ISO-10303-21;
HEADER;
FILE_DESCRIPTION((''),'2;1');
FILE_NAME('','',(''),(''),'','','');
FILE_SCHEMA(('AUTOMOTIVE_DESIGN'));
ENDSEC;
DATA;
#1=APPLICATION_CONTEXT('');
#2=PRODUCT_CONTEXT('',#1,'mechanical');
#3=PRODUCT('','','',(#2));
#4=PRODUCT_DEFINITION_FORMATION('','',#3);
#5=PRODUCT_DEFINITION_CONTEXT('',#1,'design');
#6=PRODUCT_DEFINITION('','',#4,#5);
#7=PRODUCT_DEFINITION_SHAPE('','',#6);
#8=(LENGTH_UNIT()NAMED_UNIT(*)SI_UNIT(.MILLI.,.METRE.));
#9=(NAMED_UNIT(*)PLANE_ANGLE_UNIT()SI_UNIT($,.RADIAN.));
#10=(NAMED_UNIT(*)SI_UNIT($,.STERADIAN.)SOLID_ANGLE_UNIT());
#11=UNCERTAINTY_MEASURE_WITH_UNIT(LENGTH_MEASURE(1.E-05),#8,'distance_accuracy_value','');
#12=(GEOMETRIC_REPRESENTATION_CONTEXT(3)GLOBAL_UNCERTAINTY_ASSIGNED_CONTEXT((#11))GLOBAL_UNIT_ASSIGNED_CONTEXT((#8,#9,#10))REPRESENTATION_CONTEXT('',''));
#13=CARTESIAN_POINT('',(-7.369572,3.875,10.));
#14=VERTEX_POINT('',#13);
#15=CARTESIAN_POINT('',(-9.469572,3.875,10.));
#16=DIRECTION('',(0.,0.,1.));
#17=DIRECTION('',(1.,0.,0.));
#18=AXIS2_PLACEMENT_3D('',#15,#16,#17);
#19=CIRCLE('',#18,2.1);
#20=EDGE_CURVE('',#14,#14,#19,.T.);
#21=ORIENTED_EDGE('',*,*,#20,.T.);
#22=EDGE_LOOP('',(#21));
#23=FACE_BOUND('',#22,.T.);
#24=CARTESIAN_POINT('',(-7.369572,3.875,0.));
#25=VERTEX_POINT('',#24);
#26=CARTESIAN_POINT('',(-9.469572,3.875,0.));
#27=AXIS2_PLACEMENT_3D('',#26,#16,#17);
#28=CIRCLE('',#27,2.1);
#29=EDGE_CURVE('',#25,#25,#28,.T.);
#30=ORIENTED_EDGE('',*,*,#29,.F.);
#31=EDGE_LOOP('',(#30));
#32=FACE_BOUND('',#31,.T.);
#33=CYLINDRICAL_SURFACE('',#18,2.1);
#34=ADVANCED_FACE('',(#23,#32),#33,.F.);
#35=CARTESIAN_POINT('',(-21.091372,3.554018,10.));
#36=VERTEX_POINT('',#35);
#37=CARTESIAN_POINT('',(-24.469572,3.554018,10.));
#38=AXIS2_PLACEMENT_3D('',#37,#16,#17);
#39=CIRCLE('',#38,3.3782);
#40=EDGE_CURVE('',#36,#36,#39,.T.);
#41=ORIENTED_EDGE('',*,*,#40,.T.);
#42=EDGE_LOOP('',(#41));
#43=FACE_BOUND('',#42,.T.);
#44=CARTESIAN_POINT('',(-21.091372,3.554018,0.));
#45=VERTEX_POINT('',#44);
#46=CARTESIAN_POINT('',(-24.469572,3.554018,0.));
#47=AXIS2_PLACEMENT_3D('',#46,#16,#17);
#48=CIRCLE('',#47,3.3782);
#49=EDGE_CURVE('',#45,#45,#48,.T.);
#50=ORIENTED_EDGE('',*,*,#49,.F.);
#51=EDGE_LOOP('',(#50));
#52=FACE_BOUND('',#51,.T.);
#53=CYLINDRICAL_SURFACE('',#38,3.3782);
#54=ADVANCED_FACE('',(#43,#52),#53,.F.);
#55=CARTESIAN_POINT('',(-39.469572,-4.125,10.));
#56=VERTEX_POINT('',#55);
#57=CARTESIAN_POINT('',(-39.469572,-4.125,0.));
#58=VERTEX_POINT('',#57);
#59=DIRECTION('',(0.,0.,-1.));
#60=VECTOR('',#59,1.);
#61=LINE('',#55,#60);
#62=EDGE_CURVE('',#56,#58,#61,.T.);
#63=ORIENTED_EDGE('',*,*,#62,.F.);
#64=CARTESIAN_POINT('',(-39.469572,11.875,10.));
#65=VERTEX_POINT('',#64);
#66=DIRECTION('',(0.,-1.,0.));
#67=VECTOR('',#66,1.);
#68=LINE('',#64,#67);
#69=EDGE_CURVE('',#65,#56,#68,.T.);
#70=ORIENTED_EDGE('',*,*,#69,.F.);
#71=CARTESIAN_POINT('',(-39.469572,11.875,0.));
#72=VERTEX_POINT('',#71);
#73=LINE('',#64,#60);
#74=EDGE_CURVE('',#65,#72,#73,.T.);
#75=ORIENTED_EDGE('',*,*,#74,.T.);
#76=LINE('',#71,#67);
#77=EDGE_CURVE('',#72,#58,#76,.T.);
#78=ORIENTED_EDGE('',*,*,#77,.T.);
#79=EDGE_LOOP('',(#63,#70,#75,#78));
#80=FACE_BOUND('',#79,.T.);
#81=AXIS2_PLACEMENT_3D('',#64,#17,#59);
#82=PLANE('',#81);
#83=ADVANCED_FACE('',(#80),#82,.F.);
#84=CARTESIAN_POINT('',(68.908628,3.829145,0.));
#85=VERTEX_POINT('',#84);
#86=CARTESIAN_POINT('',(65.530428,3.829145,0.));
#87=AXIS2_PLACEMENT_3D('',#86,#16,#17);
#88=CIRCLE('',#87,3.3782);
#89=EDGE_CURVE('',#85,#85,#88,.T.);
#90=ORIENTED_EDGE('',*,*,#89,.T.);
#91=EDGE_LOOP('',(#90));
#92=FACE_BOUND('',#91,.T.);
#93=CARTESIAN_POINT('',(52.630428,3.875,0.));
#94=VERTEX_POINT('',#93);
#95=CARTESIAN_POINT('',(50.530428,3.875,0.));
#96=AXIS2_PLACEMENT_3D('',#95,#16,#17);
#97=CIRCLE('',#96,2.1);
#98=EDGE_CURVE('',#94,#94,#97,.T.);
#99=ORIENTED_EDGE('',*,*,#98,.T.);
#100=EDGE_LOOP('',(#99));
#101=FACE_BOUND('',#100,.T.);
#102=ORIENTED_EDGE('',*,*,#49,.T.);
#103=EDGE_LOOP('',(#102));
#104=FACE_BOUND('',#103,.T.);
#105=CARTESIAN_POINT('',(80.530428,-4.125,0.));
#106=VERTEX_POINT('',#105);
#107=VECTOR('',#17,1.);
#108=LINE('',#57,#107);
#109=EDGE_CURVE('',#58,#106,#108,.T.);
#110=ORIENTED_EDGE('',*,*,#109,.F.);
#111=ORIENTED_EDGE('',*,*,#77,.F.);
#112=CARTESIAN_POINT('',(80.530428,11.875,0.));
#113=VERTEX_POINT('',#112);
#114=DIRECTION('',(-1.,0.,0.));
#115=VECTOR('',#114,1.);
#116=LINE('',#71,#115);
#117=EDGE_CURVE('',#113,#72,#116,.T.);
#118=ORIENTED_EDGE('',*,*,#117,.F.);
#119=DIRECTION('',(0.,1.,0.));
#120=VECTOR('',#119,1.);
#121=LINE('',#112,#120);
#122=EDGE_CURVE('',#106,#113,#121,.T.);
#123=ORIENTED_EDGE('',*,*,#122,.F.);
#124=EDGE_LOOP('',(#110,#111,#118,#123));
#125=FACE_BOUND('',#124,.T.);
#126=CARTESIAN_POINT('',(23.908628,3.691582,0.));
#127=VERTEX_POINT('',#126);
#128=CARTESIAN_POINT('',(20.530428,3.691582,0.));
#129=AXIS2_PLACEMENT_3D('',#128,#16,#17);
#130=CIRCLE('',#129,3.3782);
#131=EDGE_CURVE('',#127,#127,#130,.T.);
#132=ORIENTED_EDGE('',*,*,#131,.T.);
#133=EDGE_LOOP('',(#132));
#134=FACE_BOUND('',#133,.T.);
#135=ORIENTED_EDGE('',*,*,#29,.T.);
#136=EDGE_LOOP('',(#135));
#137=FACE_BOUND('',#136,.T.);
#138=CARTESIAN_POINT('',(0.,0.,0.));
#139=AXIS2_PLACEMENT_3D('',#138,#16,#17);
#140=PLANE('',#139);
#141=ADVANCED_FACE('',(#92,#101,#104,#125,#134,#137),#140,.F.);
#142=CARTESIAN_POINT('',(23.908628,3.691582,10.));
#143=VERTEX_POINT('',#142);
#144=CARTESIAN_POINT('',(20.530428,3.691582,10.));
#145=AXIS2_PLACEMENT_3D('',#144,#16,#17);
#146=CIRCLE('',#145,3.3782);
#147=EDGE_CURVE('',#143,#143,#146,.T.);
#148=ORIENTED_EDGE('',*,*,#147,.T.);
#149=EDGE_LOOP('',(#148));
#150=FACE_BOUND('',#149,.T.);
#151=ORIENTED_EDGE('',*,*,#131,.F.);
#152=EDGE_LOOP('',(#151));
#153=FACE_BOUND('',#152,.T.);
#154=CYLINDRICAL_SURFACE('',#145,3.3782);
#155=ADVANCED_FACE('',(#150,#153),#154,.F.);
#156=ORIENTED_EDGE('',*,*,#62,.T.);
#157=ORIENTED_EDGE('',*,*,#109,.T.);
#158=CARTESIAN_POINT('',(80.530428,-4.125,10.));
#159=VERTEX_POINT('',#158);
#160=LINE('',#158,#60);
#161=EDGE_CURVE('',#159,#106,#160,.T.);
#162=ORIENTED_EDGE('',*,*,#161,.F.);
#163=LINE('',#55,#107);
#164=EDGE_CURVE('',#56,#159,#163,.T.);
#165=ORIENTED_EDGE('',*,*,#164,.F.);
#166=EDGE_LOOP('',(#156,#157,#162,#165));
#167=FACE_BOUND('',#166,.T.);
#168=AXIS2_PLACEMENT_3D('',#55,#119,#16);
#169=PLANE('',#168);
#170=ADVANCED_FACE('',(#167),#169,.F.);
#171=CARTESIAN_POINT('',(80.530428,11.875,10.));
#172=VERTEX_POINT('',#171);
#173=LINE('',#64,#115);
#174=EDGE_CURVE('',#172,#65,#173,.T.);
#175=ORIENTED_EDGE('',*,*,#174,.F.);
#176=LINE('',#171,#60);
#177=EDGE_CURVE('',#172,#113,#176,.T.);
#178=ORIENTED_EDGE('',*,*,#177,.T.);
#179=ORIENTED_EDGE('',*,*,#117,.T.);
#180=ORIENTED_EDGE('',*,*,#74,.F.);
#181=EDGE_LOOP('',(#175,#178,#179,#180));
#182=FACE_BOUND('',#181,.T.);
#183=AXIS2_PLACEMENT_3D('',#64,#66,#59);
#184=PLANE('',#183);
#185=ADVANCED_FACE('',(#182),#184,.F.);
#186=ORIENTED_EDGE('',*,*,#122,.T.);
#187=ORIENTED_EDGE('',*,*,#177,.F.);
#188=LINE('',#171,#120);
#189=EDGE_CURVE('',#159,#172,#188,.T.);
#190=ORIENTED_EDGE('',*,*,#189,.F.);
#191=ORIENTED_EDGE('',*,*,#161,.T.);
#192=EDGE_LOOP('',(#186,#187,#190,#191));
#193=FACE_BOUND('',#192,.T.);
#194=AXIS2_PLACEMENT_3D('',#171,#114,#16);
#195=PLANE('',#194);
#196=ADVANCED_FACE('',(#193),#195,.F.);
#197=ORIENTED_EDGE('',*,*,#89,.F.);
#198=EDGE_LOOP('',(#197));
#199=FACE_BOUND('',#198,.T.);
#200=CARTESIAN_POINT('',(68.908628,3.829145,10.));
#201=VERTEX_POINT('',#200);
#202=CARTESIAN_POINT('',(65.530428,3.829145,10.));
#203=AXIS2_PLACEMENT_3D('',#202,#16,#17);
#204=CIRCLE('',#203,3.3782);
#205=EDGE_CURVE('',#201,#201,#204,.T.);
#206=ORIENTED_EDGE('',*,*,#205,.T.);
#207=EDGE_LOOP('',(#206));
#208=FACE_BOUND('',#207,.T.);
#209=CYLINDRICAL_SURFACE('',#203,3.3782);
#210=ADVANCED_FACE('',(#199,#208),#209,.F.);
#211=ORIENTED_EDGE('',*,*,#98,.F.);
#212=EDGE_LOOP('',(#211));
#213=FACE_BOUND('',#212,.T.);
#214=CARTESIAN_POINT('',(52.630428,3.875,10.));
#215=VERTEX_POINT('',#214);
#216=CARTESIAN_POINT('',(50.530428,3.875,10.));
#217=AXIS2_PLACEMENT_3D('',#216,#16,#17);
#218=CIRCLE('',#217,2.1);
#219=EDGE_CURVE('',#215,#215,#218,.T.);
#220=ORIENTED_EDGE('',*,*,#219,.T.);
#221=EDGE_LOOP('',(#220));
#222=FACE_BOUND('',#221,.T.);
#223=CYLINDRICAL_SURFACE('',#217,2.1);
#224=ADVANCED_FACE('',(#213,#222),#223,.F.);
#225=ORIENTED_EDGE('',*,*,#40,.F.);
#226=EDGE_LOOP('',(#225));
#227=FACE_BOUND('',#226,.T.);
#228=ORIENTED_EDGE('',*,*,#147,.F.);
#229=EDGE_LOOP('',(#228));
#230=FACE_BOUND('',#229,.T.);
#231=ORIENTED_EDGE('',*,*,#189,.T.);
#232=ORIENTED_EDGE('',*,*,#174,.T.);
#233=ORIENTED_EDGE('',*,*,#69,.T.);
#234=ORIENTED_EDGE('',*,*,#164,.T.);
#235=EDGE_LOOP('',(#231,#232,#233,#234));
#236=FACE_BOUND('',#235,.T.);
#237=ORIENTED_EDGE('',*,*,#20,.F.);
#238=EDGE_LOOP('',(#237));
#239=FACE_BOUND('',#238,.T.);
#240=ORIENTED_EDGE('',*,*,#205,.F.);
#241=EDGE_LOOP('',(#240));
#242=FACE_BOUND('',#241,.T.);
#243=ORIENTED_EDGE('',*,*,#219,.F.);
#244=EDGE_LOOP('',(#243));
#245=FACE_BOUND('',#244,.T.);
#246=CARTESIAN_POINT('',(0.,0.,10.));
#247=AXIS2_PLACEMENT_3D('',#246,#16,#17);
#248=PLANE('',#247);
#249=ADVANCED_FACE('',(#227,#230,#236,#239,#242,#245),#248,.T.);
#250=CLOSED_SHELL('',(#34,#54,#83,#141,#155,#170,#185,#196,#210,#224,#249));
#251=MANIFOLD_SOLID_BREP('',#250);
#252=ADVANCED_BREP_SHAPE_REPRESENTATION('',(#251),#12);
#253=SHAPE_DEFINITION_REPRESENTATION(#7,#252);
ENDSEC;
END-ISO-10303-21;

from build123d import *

# Parameters (mm, degrees)
CROQUIS1_W                                 = 120
CROQUIS1_H                                 = 16
SALIENTE_EXTRUIR1_DEPTH                    = 10
PERFORADOR_PARA_ROSCAR_PARA_MACHO_DE_ROS_D = 4.2
TALADRO_DE_MARGEN_PARA_1_41_D              = 6.7564


with BuildPart() as part:
    # Croquis1 → Saliente-Extruir1 (new body)
    with BuildSketch(Plane.XY):
        with Locations((20.530427632, 3.875)):
            Rectangle(CROQUIS1_W, CROQUIS1_H)
    extrude(amount=SALIENTE_EXTRUIR1_DEPTH)

    # Perforador para roscar para macho de roscar para M5x0.81 (through all)
    with Locations(Plane.XY.offset(10)):
        with Locations((-9.469572368, 3.875), (50.530427632, 3.875)):
            Hole(PERFORADOR_PARA_ROSCAR_PARA_MACHO_DE_ROS_D / 2)

    # Taladro de margen para 1/41 (through all)
    with Locations(Plane.XY.offset(10)):
        with Locations((-24.469572368, 3.554018425), (20.530427632, 3.691581957), (65.530427632, 3.829145489)):
            Hole(TALADRO_DE_MARGEN_PARA_1_41_D / 2)


solid = part.part
